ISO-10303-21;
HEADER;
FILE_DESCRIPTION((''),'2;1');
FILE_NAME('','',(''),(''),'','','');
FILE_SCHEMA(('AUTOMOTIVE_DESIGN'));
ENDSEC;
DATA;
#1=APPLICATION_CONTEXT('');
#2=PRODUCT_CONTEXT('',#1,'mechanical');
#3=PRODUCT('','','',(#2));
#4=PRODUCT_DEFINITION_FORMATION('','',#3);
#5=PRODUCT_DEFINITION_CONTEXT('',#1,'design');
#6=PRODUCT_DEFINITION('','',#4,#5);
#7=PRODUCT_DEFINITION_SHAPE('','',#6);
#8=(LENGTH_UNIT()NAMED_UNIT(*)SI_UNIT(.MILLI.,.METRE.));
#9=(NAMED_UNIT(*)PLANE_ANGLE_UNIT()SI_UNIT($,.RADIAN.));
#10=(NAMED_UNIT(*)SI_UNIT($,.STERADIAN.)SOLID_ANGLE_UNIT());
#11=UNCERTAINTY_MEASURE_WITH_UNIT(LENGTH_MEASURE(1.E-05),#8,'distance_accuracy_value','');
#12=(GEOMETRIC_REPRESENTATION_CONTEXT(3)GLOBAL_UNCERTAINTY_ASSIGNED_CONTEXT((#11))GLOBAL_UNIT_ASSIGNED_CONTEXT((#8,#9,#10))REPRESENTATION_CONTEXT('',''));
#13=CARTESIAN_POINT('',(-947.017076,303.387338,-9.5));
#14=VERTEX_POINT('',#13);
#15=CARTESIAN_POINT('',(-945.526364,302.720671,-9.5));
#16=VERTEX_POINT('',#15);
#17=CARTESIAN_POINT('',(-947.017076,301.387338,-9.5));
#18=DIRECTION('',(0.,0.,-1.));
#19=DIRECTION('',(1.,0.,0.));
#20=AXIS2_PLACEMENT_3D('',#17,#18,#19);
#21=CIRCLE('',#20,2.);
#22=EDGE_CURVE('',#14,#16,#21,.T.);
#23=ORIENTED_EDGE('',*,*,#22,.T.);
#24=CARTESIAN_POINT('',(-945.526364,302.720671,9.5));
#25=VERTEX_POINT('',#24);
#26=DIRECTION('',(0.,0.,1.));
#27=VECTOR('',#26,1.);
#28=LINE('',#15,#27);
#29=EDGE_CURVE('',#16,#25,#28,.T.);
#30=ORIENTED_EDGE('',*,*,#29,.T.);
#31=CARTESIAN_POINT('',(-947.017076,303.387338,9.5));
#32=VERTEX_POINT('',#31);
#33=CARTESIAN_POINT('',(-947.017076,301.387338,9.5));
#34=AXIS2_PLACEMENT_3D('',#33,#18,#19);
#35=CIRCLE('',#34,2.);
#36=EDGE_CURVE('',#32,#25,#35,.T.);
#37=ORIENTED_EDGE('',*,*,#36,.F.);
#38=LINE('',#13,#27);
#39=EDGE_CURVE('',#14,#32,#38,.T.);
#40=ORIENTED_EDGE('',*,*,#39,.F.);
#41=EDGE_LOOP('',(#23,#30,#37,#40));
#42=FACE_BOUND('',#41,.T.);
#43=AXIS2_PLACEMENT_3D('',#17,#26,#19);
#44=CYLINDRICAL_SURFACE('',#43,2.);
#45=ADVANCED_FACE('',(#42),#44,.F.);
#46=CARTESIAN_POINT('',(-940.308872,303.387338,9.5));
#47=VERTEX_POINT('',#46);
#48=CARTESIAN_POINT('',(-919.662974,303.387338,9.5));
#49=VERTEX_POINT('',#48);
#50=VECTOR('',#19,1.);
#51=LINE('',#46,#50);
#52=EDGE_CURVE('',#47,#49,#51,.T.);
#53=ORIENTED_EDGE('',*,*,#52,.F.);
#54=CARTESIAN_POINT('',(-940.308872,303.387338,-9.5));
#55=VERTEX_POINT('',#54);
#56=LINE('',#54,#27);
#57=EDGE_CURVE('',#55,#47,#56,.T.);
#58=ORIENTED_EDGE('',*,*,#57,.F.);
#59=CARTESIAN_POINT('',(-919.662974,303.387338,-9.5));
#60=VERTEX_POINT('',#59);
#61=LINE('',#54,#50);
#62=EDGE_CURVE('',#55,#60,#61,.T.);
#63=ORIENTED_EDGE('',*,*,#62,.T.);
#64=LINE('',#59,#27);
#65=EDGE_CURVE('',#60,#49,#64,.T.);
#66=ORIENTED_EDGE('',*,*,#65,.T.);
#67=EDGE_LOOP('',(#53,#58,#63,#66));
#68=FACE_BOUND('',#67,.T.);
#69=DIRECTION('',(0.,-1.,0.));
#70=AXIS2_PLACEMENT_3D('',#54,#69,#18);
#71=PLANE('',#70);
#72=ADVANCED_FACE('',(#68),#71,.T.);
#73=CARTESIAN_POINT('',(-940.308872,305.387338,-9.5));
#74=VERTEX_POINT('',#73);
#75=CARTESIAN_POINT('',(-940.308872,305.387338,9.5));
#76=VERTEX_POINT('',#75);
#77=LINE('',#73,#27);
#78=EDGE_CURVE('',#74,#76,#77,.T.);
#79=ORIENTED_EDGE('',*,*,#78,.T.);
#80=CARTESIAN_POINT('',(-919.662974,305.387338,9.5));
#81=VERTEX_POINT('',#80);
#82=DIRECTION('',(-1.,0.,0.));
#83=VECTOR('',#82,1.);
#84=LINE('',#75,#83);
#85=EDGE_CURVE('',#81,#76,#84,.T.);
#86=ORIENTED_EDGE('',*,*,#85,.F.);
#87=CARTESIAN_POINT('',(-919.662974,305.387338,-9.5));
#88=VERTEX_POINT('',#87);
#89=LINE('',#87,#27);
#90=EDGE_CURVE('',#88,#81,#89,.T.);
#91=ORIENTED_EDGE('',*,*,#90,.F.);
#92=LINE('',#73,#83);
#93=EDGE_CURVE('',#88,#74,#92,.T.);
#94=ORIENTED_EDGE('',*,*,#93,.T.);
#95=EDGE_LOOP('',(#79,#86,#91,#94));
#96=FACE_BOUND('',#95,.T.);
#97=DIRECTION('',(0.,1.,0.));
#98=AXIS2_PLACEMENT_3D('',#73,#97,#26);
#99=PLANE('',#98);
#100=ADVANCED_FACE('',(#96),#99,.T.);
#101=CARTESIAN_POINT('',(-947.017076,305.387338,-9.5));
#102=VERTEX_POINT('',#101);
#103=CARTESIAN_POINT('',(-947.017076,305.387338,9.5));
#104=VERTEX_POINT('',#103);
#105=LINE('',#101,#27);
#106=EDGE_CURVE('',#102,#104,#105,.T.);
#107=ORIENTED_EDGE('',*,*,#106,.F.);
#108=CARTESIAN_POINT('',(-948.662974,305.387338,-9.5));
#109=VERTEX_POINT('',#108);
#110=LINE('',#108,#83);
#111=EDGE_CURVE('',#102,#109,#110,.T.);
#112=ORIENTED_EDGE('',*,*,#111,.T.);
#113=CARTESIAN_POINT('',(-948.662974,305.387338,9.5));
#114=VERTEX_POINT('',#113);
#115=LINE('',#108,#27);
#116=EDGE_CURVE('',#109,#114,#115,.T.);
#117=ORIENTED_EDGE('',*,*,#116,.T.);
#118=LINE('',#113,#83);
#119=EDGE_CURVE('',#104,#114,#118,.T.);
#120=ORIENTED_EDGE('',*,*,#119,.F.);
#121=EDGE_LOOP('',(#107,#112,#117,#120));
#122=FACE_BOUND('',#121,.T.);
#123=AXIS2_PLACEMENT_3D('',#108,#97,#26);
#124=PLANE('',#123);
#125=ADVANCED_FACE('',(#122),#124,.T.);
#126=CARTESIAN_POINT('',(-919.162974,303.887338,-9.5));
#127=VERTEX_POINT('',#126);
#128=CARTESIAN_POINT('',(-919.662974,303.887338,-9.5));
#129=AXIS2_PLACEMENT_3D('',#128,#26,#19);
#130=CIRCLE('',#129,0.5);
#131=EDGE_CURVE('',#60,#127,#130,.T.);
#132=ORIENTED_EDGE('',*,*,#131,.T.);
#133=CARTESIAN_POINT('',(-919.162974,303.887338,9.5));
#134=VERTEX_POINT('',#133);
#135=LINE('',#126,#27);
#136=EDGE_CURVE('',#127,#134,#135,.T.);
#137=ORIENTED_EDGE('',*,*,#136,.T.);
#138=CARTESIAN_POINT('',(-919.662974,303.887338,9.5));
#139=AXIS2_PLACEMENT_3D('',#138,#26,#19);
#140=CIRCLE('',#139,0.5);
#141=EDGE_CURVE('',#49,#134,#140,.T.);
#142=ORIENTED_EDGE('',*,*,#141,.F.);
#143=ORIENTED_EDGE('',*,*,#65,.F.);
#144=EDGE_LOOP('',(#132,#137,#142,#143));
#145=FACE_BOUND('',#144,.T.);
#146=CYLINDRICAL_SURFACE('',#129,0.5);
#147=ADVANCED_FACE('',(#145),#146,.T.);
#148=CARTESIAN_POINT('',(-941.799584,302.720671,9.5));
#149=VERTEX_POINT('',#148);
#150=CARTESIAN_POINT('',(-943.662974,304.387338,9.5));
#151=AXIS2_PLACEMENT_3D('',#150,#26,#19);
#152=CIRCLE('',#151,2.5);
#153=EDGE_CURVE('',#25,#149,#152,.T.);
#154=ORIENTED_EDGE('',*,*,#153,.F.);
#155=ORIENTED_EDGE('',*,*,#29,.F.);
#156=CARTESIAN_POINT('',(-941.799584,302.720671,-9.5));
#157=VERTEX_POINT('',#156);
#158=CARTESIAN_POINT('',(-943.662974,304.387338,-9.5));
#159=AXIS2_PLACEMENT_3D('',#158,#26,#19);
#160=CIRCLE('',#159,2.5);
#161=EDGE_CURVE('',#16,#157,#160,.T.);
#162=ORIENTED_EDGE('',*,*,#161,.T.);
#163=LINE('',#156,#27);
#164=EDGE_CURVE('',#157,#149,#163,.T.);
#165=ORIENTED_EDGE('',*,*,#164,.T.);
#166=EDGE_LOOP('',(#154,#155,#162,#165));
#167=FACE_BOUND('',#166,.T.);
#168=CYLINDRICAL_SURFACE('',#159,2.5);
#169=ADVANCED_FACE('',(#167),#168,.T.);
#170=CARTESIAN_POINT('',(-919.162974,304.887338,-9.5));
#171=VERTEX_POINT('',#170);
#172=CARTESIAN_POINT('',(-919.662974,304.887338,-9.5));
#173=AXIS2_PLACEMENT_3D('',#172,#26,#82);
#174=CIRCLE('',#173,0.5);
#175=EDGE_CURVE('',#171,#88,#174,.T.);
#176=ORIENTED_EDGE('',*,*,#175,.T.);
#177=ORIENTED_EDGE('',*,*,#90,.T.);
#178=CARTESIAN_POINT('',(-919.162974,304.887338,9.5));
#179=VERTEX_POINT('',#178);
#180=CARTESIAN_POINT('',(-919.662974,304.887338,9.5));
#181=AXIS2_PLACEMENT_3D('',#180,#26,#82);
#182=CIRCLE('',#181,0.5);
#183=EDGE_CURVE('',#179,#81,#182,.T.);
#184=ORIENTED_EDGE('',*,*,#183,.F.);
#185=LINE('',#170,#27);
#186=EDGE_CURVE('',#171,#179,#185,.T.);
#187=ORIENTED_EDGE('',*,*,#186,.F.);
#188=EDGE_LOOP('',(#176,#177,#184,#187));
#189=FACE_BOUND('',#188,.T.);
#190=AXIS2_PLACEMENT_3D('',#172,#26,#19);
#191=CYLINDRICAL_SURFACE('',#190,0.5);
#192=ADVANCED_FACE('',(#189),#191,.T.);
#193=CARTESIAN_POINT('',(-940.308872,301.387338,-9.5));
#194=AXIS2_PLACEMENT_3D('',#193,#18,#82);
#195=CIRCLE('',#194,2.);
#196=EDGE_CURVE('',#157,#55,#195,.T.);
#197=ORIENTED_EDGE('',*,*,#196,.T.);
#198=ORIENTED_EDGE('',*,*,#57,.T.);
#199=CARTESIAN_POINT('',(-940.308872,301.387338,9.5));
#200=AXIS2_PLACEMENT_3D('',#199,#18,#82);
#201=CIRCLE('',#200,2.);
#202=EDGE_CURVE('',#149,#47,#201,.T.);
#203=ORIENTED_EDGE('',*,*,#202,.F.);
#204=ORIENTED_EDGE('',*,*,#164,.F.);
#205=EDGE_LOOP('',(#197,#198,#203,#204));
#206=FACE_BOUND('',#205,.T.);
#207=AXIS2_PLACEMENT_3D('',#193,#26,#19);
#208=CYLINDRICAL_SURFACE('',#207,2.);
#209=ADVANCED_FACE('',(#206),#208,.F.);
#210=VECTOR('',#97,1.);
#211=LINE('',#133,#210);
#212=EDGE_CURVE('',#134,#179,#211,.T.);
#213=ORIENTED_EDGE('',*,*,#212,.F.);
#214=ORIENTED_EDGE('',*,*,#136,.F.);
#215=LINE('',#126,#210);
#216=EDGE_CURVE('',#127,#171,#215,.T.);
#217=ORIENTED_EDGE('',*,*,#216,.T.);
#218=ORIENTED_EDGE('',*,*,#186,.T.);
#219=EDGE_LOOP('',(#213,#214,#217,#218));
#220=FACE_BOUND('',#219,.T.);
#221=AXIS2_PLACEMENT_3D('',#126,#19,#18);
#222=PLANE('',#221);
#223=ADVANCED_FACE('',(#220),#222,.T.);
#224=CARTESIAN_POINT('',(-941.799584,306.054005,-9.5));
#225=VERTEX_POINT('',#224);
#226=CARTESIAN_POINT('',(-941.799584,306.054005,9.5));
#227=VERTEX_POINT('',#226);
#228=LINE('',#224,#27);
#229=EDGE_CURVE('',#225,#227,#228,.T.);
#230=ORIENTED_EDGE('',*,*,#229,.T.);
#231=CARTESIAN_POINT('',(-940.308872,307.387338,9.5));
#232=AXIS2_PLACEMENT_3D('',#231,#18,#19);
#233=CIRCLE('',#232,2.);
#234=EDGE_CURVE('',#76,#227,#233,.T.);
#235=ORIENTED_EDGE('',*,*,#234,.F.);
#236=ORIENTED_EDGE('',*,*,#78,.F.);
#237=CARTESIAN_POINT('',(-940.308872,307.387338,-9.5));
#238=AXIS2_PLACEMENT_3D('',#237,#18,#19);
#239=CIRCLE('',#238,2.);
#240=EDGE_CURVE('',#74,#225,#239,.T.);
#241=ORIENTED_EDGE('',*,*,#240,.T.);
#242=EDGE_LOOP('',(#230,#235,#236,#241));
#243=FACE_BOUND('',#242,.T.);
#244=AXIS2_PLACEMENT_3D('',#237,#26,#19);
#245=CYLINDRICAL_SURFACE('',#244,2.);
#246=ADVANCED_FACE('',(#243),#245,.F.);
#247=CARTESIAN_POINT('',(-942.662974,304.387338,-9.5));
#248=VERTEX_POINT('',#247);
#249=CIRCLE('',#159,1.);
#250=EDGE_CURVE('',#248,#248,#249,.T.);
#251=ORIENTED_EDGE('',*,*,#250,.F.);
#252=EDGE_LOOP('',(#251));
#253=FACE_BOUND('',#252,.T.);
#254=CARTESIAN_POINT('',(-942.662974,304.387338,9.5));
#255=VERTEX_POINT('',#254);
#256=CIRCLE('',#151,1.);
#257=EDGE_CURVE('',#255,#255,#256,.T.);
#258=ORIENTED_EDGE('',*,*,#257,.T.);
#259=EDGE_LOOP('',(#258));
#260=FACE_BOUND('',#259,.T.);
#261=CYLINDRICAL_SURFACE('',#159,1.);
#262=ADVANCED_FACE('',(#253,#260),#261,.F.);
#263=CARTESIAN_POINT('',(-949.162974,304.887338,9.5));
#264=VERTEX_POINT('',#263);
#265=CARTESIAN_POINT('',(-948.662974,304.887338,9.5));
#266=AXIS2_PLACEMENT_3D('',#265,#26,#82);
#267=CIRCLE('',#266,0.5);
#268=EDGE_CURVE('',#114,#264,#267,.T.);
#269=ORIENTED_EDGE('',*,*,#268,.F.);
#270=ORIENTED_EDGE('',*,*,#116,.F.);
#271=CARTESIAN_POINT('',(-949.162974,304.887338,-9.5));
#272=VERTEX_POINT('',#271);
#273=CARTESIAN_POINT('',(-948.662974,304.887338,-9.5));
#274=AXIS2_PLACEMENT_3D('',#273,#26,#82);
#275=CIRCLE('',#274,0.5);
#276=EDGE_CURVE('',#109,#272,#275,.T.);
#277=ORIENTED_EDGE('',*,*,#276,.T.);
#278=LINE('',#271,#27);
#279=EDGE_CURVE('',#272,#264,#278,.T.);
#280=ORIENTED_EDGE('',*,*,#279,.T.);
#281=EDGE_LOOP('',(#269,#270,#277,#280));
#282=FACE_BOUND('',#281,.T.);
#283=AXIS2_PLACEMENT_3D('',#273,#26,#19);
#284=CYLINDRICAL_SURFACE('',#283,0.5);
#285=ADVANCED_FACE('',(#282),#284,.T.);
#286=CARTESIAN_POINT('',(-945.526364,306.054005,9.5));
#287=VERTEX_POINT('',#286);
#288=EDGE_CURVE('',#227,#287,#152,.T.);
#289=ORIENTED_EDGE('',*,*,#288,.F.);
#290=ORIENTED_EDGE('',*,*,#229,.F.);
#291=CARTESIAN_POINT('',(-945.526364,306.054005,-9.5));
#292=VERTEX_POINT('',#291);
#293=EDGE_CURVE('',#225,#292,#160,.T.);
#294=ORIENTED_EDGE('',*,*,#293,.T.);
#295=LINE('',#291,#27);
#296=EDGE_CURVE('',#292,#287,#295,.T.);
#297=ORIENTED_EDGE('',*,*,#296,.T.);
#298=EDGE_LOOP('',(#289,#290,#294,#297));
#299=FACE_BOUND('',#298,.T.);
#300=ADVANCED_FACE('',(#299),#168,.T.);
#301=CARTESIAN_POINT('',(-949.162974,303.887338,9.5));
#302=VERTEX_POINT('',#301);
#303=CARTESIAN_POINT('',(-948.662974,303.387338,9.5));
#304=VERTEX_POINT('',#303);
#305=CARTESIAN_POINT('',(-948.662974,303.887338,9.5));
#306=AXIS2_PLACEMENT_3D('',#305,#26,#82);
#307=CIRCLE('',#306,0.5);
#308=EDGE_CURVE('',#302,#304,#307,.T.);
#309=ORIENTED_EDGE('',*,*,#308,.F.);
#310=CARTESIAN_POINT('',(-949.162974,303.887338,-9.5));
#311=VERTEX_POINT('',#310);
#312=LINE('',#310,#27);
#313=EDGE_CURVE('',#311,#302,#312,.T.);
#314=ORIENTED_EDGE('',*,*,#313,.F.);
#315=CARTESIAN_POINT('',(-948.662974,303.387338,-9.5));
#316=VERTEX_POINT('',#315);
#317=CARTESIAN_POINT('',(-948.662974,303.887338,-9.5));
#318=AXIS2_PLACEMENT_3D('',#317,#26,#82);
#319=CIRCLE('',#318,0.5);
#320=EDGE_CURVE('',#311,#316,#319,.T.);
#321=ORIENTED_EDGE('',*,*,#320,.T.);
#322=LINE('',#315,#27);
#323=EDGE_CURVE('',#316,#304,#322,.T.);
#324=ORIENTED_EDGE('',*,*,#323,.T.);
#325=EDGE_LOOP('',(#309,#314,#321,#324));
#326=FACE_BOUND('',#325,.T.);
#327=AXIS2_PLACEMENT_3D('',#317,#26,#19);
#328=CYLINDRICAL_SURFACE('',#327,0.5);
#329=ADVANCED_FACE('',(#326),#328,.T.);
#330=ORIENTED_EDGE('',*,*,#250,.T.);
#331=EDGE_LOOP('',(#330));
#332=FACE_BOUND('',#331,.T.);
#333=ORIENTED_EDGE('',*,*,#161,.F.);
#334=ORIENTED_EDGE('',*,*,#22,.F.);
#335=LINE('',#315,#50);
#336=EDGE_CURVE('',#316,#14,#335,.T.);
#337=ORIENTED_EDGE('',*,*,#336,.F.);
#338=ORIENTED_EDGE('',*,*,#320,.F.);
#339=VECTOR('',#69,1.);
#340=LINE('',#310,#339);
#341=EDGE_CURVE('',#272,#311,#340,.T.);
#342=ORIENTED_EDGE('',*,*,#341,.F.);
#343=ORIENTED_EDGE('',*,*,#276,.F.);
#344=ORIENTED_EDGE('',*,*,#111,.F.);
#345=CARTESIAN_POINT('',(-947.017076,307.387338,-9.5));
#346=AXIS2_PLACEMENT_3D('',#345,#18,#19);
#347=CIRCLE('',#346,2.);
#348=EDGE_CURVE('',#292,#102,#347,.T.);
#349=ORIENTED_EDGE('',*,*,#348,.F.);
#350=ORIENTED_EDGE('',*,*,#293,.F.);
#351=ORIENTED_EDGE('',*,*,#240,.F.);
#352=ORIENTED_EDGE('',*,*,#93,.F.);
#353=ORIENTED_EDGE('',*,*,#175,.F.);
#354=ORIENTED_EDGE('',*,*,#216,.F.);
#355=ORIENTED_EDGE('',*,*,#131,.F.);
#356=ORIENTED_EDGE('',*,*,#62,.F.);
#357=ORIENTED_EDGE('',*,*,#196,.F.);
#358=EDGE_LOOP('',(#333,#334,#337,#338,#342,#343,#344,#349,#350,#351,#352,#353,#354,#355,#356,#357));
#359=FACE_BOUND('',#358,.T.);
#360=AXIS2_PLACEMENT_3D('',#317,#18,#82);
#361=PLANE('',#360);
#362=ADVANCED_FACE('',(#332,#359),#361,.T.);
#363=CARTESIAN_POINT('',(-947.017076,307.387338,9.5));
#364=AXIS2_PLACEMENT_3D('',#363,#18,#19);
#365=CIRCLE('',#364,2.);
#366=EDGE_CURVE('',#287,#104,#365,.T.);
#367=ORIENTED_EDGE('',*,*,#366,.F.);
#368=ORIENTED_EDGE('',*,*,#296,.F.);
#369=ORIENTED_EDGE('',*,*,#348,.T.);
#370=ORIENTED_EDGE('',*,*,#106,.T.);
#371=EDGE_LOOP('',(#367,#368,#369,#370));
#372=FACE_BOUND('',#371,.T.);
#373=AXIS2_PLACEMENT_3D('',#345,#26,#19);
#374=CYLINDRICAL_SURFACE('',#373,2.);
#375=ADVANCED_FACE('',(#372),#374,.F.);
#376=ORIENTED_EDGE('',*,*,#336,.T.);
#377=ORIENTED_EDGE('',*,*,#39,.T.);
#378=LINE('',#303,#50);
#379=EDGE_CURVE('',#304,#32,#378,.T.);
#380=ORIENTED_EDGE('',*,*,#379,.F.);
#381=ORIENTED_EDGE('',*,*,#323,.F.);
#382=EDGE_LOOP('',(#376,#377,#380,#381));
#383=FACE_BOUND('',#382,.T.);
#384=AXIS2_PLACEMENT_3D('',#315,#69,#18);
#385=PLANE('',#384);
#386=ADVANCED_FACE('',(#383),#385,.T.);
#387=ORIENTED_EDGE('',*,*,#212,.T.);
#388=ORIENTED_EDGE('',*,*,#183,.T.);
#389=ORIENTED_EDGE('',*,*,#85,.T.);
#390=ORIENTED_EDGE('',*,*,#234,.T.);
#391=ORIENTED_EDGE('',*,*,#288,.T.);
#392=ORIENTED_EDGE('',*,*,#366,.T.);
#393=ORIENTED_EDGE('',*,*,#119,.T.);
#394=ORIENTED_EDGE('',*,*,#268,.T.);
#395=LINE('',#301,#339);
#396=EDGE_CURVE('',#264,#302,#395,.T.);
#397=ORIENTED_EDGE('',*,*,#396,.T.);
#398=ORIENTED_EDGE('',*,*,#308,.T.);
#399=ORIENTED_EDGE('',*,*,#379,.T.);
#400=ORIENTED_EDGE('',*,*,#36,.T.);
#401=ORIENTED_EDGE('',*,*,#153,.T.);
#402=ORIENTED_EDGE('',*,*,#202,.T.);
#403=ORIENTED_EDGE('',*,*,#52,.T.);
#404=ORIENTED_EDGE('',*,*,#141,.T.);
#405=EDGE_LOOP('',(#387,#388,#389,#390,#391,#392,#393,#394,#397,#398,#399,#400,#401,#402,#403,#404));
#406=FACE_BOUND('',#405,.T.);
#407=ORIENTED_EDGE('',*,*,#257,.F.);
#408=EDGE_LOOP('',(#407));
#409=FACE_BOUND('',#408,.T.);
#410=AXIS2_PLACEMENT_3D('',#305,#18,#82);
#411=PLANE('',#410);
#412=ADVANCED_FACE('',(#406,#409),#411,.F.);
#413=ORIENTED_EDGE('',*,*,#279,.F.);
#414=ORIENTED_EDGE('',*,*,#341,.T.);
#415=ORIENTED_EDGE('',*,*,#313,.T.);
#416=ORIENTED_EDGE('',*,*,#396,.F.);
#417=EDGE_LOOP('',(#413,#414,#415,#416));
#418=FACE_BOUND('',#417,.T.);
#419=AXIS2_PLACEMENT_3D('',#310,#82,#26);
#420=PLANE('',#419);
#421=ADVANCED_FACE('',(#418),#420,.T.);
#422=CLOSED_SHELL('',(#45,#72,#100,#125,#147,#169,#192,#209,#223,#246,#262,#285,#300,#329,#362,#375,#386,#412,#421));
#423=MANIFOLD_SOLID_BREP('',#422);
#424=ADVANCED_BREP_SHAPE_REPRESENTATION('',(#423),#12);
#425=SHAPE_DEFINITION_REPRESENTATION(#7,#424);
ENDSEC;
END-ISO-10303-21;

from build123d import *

# Parameters (mm, degrees)
BOSS_EXTRUDE1_DEPTH      = 9.5
BOSS_EXTRUDE1_DEPTH_BACK = 9.5
SKETCH1_R                = 1


with BuildPart() as part:
    # Sketch1 → Boss-Extrude1 (new, two sides: drawn at the far end of the back side and taken through both)
    with BuildSketch(Plane.XY.offset(-BOSS_EXTRUDE1_DEPTH_BACK)):
        with BuildLine():
            Line((-948.662974387, 303.387338025), (-947.017076353, 303.387338025))
            ThreePointArc((-947.017076353, 303.387338025), (-946.200579773, 303.213079884), (-945.526364368, 302.720671359))
            ThreePointArc((-945.526364368, 302.720671359), (-943.662974387, 301.887338025), (-941.799584406, 302.720671359))
            ThreePointArc((-941.799584406, 302.720671359), (-941.125369002, 303.213079884), (-940.308872421, 303.387338025))
            Line((-940.308872421, 303.387338025), (-919.662974387, 303.387338025))
            ThreePointArc((-919.662974387, 303.387338025), (-919.309420997, 303.533784635), (-919.162974387, 303.887338025))
            Line((-919.162974387, 303.887338025), (-919.162974387, 304.887338025))
            ThreePointArc((-919.162974387, 304.887338025), (-919.309420997, 305.240891416), (-919.662974387, 305.387338025))
            Line((-919.662974387, 305.387338025), (-940.308872421, 305.387338025))
            ThreePointArc((-940.308872421, 305.387338025), (-941.125369002, 305.561596167), (-941.799584406, 306.054004692))
            ThreePointArc((-941.799584406, 306.054004692), (-943.662974387, 306.887338025), (-945.526364368, 306.054004692))
            ThreePointArc((-945.526364368, 306.054004692), (-946.200579773, 305.561596167), (-947.017076353, 305.387338025))
            Line((-947.017076353, 305.387338025), (-948.662974387, 305.387338025))
            ThreePointArc((-948.662974387, 305.387338025), (-949.016527778, 305.240891416), (-949.162974387, 304.887338025))
            Line((-949.162974387, 304.887338025), (-949.162974387, 303.887338025))
            ThreePointArc((-949.162974387, 303.887338025), (-949.016527778, 303.533784635), (-948.662974387, 303.387338025))
        make_face()
        with Locations((-943.662974387, 304.387338025)):
            Circle(SKETCH1_R, mode=Mode.SUBTRACT)
    extrude(amount=BOSS_EXTRUDE1_DEPTH + BOSS_EXTRUDE1_DEPTH_BACK)


solid = part.part
